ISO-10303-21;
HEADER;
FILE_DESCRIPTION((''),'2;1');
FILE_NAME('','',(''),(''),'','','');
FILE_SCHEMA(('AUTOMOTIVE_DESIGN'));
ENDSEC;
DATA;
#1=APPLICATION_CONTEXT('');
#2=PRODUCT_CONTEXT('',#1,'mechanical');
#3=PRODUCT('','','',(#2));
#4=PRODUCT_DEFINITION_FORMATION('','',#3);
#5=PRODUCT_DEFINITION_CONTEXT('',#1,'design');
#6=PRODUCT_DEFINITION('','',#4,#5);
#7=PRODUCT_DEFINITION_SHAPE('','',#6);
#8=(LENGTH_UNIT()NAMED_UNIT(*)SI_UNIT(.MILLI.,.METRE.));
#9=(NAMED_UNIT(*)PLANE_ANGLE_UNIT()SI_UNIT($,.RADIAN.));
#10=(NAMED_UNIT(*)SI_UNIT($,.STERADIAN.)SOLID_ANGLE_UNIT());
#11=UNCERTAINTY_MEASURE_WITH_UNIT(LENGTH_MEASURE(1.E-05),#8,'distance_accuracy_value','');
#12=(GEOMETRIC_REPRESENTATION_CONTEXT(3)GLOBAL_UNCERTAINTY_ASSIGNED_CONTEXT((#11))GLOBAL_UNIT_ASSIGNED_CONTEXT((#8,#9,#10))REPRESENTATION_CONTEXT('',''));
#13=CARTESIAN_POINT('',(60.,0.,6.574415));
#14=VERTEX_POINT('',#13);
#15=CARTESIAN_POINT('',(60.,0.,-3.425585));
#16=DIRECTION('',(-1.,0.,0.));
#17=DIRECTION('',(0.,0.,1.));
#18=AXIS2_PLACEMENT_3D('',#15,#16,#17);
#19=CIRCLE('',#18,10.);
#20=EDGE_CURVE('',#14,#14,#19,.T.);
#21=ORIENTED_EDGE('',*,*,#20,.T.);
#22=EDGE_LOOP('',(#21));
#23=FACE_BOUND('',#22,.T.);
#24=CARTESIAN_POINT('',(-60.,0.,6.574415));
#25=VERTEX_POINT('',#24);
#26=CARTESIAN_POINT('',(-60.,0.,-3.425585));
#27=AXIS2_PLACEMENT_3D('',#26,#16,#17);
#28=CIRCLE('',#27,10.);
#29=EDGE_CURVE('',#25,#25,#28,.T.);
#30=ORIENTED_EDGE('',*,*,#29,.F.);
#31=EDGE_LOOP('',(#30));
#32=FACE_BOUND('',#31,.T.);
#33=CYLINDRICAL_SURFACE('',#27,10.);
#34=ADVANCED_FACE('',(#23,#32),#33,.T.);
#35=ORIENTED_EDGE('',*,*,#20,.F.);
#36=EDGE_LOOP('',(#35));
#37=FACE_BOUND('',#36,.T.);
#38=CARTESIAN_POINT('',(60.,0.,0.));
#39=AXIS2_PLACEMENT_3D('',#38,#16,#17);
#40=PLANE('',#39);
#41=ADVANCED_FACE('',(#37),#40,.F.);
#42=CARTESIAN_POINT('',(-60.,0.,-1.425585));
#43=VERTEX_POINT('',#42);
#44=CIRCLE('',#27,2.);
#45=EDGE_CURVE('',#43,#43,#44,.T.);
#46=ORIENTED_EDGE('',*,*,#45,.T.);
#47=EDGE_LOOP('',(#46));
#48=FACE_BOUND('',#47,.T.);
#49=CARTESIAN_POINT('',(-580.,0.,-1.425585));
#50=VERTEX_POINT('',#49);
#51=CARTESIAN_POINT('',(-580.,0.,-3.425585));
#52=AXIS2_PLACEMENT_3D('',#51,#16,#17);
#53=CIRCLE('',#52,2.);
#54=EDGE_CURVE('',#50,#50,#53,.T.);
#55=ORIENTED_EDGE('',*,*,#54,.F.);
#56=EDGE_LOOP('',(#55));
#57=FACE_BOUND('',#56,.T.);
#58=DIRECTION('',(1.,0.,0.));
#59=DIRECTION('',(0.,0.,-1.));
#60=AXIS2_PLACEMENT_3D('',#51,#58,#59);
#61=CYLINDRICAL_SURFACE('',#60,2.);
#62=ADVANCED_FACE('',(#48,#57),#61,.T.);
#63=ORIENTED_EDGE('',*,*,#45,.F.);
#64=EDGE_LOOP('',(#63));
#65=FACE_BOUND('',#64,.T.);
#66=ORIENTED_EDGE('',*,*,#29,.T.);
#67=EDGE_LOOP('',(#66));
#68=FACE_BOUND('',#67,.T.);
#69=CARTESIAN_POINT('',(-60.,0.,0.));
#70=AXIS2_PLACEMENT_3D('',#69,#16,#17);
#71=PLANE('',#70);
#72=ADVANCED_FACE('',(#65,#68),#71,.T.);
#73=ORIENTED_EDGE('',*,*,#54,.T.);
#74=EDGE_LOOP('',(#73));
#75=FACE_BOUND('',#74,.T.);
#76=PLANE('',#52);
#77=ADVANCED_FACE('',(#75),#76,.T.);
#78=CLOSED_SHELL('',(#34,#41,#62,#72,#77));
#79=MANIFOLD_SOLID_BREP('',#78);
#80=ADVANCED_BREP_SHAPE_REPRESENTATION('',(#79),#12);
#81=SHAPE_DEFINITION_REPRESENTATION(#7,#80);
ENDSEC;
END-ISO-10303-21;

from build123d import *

# Parameters (mm, degrees)
SKETCH1_W           = 120
SKETCH1_H           = 10
SKETCH31_R          = 2
BOSS_EXTRUDE2_DEPTH = 520


with BuildPart() as part:
    # Sketch1 → Revolve1 (revolve)
    with BuildSketch(Plane(origin=(0, 0, 0), x_dir=(1, 0, 0), z_dir=(0, 1, 0))):
        with Locations((0, -1.574414786)):
            Rectangle(SKETCH1_W, SKETCH1_H)
    revolve(axis=Axis((-60, 0, -3.425585214), (1, 0, 0)))

    # Sketch31 → Boss-Extrude2 (add)
    with BuildSketch(Plane.ZY.offset(60)):
        with Locations((-3.425585214, 0)):
            Circle(SKETCH31_R)
    extrude(amount=BOSS_EXTRUDE2_DEPTH)


solid = part.part
